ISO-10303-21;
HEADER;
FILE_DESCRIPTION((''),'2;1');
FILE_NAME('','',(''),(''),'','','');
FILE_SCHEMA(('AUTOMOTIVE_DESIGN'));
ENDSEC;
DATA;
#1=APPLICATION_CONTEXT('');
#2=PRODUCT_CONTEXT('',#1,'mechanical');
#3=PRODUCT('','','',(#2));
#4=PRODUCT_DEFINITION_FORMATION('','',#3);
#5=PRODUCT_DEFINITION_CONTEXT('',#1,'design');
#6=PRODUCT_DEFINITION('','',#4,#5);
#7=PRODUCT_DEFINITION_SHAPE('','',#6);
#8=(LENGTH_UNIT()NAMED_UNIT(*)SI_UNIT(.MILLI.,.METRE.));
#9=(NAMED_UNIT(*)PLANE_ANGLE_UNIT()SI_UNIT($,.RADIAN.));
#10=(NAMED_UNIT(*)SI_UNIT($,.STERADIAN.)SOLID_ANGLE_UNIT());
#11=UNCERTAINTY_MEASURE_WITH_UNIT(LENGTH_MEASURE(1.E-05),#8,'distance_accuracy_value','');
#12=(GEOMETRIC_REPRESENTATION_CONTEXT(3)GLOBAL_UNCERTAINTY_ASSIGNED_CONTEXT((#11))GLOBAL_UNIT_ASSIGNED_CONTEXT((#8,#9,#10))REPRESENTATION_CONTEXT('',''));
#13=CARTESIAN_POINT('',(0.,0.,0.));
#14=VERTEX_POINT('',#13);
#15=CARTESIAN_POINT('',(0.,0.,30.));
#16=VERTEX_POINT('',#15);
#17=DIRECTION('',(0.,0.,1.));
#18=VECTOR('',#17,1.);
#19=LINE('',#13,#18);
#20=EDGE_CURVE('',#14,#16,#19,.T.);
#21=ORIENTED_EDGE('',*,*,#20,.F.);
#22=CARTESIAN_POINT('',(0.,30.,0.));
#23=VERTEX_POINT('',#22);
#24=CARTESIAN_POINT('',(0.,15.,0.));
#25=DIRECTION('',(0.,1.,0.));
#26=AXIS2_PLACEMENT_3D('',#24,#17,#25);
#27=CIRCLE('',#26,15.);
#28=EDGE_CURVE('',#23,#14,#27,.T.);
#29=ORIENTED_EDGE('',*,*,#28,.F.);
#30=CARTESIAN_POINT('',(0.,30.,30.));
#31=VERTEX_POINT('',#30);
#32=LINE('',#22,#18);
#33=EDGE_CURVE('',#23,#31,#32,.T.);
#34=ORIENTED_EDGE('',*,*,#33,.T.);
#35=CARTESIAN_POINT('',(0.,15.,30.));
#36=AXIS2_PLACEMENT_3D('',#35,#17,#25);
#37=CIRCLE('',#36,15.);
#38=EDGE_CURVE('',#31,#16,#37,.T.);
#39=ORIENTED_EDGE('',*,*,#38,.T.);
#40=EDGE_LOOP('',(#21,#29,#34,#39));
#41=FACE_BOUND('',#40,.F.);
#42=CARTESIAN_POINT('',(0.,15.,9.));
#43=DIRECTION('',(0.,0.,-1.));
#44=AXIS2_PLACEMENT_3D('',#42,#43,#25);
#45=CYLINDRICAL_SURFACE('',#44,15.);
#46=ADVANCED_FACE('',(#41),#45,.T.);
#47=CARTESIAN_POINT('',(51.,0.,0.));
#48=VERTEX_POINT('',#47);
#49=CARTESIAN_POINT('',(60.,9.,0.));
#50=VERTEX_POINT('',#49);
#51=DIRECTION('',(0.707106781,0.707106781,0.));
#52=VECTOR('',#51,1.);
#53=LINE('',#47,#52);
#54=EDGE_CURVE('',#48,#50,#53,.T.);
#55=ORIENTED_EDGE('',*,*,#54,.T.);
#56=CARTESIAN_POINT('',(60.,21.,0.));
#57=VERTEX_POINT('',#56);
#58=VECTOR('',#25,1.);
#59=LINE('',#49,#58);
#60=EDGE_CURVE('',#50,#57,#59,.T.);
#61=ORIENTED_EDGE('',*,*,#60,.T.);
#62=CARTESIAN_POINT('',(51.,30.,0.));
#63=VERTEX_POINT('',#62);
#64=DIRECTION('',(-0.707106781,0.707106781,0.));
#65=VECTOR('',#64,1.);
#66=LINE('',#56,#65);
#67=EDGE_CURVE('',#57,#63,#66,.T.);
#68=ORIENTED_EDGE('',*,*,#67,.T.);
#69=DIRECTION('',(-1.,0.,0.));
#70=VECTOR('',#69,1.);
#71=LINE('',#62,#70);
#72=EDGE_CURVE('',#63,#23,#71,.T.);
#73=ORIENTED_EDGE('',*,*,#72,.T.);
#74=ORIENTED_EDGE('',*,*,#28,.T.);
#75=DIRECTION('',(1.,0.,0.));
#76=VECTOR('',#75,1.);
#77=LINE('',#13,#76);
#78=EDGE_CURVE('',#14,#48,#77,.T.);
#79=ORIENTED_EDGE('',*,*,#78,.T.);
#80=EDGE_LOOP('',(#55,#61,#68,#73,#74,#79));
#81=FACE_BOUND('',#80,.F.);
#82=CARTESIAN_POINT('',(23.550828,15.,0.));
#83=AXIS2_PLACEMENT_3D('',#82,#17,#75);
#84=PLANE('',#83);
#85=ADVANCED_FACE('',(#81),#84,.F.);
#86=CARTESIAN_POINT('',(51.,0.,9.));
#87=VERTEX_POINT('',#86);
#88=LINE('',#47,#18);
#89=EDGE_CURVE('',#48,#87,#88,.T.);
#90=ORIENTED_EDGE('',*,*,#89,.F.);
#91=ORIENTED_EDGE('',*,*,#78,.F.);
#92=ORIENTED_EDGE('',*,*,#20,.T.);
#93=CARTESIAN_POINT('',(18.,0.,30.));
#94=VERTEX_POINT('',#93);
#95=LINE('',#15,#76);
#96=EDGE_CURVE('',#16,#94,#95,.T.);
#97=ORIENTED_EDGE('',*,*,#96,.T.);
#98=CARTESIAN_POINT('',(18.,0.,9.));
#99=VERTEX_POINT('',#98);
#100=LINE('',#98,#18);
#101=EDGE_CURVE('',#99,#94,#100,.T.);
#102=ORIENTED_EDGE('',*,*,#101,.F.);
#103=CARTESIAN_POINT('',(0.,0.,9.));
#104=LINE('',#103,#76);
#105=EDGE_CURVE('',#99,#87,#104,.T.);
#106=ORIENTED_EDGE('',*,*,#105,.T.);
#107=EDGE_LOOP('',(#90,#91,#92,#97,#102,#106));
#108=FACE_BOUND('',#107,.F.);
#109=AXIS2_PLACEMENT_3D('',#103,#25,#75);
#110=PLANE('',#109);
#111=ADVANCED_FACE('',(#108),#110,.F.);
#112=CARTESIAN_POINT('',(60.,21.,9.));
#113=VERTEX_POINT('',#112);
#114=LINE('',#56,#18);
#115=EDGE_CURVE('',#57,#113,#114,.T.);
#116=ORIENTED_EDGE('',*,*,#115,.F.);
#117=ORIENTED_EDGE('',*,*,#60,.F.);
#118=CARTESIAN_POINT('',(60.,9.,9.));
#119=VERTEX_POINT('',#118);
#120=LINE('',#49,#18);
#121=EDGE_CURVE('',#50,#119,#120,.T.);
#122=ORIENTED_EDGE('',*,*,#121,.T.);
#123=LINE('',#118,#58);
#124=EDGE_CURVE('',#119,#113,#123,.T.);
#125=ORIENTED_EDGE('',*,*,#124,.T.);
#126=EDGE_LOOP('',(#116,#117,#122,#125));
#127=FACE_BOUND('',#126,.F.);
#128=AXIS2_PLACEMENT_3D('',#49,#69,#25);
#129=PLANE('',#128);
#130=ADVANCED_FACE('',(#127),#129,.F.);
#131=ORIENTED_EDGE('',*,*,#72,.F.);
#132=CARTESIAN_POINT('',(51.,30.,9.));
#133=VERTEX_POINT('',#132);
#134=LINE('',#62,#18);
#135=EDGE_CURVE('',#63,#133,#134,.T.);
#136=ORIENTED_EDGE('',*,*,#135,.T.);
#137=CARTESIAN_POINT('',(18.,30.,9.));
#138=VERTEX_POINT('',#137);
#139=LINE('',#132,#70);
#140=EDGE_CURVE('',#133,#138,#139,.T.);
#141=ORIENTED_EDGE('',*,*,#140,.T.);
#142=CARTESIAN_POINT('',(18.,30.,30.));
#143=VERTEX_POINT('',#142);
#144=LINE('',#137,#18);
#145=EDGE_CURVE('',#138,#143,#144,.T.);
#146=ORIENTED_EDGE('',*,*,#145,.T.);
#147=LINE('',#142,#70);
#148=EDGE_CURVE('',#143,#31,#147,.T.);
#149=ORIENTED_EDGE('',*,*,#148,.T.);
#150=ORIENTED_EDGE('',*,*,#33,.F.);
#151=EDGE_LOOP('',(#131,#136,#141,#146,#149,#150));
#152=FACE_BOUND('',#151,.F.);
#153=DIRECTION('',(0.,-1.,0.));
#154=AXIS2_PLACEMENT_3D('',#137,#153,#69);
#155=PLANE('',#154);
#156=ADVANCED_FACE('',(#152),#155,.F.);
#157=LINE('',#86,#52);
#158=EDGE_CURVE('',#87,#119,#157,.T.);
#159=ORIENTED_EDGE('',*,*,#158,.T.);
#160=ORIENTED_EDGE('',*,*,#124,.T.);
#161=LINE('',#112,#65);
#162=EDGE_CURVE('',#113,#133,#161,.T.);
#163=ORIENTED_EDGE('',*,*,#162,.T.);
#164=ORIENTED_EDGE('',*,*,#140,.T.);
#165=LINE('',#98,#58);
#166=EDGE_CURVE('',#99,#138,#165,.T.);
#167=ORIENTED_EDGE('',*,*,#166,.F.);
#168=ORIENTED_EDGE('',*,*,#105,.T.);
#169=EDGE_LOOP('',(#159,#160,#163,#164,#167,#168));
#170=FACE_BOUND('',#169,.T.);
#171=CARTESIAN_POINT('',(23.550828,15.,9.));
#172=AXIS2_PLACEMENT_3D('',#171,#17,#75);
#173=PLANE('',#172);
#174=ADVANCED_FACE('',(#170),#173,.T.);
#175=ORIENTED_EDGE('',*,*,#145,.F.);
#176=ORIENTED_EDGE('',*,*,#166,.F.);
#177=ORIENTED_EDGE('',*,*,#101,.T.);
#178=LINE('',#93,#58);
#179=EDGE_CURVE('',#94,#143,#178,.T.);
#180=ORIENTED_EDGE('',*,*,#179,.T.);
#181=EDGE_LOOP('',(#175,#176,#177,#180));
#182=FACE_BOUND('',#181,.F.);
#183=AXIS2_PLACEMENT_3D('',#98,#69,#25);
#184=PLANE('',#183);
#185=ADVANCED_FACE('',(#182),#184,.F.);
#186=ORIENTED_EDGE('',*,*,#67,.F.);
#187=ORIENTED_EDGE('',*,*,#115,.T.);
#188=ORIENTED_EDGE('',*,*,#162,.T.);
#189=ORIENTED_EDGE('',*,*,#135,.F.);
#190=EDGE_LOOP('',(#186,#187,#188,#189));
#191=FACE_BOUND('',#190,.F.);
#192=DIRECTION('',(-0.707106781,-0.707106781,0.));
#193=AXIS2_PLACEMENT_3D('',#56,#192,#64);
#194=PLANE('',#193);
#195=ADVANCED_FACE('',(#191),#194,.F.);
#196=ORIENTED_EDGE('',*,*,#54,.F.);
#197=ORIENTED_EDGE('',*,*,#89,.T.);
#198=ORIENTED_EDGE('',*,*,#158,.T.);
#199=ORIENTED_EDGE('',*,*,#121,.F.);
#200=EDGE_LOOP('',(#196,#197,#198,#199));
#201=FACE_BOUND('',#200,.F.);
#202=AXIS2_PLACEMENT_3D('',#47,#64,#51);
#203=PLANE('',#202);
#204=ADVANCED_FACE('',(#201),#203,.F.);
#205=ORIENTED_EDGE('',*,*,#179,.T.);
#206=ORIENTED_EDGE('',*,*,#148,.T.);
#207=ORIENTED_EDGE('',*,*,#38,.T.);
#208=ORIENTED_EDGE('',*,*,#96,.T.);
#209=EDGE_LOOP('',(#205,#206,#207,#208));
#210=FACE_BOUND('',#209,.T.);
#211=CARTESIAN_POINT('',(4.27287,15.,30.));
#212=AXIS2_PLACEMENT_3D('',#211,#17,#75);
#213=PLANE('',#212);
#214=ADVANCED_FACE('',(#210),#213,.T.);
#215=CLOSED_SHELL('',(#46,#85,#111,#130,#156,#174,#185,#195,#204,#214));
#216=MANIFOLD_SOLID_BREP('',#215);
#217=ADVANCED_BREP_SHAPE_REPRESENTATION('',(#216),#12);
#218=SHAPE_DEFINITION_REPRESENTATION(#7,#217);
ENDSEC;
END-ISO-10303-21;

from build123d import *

# Parameters (mm, degrees)
F1_DEPTH = 9
F4_DEPTH = 21


with BuildPart() as f1:
    # F0 (on Top) → F1 (new body)
    with BuildSketch(Plane.XY):
        with BuildLine():
            Line((51, 30), (0, 30))
            ThreePointArc((0, 30), (-15, 15), (0, 0))
            Line((0, 0), (51, 0))
            Line((51, 0), (60, 9))
            Line((60, 9), (60, 21))
            Line((60, 21), (51, 30))
        make_face()
    extrude(amount=F1_DEPTH)

    # F2 (on face) → F4 (join)
    with BuildSketch(Plane.XY.offset(9)):
        with BuildLine():
            Line((18, 30), (0, 30))
            ThreePointArc((0, 30), (-15, 15), (0, 0))
            Line((0, 0), (18, 0))
            Line((18, 0), (18, 30))
        make_face()
    extrude(amount=F4_DEPTH)


solid = f1.part
